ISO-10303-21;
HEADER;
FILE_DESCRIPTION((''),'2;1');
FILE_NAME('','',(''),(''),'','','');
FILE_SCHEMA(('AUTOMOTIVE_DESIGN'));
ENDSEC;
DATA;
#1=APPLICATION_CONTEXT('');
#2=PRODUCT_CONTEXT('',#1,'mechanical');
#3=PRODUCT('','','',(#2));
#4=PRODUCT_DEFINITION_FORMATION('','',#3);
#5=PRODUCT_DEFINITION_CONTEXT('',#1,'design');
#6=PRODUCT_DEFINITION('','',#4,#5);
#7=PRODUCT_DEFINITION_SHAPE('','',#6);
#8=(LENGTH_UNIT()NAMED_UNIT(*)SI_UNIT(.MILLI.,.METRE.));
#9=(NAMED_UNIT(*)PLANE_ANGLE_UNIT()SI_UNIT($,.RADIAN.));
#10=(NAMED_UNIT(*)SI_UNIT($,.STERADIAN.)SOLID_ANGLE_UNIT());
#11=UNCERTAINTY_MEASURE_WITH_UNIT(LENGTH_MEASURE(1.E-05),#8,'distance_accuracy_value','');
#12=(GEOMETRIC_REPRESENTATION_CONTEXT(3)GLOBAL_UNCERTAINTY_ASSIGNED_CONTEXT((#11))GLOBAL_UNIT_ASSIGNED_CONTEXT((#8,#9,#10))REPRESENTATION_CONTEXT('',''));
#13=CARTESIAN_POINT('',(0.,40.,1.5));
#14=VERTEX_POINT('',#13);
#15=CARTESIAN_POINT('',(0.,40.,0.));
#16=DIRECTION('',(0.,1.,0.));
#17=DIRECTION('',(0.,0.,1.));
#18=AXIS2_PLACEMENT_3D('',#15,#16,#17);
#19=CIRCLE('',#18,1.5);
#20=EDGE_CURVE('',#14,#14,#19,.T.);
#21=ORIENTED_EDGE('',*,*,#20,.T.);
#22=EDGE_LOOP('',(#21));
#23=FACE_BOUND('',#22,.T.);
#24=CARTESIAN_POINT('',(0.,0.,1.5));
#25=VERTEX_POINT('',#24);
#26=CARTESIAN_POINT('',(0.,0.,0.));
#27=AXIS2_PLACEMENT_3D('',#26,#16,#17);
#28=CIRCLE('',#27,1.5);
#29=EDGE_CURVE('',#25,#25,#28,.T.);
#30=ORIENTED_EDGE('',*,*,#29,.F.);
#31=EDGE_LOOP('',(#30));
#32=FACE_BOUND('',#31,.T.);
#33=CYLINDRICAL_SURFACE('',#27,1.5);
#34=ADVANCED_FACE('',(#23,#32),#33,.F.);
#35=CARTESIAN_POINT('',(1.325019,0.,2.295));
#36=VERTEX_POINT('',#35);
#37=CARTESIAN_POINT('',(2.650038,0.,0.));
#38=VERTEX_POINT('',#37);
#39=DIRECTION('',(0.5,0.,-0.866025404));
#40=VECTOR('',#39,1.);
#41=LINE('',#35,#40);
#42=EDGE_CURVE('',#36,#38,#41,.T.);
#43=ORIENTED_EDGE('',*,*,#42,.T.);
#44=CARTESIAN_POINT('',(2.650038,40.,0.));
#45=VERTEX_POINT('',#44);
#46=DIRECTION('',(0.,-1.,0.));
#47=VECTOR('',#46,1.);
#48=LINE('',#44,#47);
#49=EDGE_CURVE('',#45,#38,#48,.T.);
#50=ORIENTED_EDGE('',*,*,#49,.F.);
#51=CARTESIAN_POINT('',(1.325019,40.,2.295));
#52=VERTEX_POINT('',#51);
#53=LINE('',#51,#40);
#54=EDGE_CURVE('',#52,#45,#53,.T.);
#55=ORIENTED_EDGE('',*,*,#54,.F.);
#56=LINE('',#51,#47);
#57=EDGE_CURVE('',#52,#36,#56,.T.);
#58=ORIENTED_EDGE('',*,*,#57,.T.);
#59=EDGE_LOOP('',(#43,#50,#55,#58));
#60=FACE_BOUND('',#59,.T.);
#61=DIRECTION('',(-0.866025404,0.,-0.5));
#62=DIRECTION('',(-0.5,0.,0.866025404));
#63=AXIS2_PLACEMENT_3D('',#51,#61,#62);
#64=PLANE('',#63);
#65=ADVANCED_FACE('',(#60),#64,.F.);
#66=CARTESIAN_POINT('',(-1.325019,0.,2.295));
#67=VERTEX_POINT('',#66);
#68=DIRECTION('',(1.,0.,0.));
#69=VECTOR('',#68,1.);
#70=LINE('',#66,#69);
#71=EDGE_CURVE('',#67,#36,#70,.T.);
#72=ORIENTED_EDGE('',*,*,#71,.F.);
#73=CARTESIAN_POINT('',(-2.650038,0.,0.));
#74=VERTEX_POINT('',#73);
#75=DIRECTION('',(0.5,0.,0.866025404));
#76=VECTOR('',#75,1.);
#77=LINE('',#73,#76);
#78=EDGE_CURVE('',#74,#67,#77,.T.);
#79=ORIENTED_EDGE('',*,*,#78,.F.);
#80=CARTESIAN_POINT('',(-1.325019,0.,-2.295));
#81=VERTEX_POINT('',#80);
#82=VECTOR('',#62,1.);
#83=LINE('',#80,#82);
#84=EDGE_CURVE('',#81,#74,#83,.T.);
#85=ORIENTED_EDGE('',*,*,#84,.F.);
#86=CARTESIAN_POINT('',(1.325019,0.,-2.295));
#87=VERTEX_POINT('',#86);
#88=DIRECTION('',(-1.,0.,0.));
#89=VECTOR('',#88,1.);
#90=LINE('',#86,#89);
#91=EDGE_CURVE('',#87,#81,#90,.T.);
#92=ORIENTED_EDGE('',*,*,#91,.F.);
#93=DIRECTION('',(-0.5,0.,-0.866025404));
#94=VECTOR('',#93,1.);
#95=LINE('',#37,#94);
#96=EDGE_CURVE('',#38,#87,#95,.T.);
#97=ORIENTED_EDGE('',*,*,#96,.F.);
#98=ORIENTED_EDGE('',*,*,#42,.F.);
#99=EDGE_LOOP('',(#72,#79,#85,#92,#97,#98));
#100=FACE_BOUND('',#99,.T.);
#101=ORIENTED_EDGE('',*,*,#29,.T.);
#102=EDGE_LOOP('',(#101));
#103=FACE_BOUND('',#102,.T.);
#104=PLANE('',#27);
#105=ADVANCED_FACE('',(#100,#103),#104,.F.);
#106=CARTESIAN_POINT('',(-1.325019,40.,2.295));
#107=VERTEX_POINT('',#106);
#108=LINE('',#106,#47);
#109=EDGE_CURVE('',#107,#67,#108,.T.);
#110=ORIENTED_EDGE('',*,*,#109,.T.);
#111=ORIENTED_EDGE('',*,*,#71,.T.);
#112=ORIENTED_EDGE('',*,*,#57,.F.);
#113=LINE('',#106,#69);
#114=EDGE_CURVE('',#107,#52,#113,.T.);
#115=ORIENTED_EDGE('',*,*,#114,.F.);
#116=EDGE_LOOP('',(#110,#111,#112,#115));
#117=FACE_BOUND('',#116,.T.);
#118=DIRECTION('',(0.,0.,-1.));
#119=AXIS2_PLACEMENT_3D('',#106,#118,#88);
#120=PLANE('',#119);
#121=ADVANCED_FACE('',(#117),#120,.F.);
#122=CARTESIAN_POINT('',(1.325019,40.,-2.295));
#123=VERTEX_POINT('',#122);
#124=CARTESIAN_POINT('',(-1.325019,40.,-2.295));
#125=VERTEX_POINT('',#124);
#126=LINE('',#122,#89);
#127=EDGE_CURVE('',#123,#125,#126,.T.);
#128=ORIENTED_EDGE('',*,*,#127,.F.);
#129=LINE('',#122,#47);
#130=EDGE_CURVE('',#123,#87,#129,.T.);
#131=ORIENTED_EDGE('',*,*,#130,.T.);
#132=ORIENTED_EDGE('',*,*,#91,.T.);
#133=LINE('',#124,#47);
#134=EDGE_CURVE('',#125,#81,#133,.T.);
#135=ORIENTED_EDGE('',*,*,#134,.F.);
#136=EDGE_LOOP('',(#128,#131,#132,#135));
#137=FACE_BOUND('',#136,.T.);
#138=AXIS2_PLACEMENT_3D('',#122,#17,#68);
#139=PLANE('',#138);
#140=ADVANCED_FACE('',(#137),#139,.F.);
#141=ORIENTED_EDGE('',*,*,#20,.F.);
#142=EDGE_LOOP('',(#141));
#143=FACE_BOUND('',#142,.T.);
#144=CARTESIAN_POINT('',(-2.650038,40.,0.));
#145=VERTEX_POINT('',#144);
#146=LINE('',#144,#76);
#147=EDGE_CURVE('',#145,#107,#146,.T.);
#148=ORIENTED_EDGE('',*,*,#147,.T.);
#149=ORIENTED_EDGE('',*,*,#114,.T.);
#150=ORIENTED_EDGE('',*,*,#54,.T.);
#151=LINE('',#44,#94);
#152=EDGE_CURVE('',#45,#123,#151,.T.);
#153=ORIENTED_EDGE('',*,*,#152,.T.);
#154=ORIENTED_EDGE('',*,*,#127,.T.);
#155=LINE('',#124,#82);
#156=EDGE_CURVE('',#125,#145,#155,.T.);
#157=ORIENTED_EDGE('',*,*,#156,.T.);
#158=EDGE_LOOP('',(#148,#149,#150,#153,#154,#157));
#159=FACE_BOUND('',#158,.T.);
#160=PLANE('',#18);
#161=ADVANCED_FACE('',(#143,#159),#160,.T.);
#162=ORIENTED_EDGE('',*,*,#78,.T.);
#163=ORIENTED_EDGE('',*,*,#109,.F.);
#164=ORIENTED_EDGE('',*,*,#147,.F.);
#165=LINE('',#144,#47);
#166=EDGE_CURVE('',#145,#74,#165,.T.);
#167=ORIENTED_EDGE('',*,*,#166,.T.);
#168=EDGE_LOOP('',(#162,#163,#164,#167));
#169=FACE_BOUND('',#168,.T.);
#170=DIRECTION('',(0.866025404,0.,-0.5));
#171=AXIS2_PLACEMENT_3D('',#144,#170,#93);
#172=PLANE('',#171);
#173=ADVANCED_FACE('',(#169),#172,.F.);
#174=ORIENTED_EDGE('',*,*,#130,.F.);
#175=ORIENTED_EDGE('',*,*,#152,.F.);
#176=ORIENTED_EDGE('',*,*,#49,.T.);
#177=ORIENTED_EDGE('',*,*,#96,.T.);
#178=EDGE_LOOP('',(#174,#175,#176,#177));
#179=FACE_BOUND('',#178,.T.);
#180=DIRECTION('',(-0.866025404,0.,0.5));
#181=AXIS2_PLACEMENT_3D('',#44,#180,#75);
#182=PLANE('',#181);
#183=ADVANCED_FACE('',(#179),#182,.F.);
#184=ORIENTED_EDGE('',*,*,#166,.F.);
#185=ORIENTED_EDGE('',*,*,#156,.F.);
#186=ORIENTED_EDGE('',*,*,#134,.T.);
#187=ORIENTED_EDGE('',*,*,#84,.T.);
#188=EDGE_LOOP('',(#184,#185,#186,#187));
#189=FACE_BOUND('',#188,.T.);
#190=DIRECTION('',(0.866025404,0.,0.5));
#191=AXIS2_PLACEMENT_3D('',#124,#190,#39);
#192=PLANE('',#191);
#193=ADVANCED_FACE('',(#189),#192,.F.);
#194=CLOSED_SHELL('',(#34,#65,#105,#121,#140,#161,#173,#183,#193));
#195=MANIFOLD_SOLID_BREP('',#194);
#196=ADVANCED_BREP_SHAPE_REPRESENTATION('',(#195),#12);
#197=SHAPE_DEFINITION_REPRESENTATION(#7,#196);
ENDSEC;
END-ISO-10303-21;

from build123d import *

# Parameters (mm, degrees)
EXTRUDE_1_DEPTH     = 40
SKETCH_3_R          = 1.5
CUT_EXTRUDE_1_DEPTH = 40


with BuildPart() as part:
    # 草图1 → 凸台-拉伸1 (new body)
    with BuildSketch(Plane(origin=(0, 0, 0), x_dir=(1, 0, 0), z_dir=(0, 1, 0))):
        Polygon((2.650037736, 0), (1.325018868, 2.295), (-1.325018868, 2.295), (-2.650037736, 0), (-1.325018868, -2.295), (1.325018868, -2.295), align=None)
    extrude(amount=EXTRUDE_1_DEPTH)

    # 草图3 → 切除-拉伸1 (cut)
    with BuildSketch(Plane(origin=(0, 40, 0), x_dir=(1, 0, 0), z_dir=(0, 1, 0))):
        with Locations(Location((0, 0, 0), (0, 0, 270))):
            Circle(SKETCH_3_R)
    extrude(amount=-CUT_EXTRUDE_1_DEPTH, mode=Mode.SUBTRACT)


solid = part.part
